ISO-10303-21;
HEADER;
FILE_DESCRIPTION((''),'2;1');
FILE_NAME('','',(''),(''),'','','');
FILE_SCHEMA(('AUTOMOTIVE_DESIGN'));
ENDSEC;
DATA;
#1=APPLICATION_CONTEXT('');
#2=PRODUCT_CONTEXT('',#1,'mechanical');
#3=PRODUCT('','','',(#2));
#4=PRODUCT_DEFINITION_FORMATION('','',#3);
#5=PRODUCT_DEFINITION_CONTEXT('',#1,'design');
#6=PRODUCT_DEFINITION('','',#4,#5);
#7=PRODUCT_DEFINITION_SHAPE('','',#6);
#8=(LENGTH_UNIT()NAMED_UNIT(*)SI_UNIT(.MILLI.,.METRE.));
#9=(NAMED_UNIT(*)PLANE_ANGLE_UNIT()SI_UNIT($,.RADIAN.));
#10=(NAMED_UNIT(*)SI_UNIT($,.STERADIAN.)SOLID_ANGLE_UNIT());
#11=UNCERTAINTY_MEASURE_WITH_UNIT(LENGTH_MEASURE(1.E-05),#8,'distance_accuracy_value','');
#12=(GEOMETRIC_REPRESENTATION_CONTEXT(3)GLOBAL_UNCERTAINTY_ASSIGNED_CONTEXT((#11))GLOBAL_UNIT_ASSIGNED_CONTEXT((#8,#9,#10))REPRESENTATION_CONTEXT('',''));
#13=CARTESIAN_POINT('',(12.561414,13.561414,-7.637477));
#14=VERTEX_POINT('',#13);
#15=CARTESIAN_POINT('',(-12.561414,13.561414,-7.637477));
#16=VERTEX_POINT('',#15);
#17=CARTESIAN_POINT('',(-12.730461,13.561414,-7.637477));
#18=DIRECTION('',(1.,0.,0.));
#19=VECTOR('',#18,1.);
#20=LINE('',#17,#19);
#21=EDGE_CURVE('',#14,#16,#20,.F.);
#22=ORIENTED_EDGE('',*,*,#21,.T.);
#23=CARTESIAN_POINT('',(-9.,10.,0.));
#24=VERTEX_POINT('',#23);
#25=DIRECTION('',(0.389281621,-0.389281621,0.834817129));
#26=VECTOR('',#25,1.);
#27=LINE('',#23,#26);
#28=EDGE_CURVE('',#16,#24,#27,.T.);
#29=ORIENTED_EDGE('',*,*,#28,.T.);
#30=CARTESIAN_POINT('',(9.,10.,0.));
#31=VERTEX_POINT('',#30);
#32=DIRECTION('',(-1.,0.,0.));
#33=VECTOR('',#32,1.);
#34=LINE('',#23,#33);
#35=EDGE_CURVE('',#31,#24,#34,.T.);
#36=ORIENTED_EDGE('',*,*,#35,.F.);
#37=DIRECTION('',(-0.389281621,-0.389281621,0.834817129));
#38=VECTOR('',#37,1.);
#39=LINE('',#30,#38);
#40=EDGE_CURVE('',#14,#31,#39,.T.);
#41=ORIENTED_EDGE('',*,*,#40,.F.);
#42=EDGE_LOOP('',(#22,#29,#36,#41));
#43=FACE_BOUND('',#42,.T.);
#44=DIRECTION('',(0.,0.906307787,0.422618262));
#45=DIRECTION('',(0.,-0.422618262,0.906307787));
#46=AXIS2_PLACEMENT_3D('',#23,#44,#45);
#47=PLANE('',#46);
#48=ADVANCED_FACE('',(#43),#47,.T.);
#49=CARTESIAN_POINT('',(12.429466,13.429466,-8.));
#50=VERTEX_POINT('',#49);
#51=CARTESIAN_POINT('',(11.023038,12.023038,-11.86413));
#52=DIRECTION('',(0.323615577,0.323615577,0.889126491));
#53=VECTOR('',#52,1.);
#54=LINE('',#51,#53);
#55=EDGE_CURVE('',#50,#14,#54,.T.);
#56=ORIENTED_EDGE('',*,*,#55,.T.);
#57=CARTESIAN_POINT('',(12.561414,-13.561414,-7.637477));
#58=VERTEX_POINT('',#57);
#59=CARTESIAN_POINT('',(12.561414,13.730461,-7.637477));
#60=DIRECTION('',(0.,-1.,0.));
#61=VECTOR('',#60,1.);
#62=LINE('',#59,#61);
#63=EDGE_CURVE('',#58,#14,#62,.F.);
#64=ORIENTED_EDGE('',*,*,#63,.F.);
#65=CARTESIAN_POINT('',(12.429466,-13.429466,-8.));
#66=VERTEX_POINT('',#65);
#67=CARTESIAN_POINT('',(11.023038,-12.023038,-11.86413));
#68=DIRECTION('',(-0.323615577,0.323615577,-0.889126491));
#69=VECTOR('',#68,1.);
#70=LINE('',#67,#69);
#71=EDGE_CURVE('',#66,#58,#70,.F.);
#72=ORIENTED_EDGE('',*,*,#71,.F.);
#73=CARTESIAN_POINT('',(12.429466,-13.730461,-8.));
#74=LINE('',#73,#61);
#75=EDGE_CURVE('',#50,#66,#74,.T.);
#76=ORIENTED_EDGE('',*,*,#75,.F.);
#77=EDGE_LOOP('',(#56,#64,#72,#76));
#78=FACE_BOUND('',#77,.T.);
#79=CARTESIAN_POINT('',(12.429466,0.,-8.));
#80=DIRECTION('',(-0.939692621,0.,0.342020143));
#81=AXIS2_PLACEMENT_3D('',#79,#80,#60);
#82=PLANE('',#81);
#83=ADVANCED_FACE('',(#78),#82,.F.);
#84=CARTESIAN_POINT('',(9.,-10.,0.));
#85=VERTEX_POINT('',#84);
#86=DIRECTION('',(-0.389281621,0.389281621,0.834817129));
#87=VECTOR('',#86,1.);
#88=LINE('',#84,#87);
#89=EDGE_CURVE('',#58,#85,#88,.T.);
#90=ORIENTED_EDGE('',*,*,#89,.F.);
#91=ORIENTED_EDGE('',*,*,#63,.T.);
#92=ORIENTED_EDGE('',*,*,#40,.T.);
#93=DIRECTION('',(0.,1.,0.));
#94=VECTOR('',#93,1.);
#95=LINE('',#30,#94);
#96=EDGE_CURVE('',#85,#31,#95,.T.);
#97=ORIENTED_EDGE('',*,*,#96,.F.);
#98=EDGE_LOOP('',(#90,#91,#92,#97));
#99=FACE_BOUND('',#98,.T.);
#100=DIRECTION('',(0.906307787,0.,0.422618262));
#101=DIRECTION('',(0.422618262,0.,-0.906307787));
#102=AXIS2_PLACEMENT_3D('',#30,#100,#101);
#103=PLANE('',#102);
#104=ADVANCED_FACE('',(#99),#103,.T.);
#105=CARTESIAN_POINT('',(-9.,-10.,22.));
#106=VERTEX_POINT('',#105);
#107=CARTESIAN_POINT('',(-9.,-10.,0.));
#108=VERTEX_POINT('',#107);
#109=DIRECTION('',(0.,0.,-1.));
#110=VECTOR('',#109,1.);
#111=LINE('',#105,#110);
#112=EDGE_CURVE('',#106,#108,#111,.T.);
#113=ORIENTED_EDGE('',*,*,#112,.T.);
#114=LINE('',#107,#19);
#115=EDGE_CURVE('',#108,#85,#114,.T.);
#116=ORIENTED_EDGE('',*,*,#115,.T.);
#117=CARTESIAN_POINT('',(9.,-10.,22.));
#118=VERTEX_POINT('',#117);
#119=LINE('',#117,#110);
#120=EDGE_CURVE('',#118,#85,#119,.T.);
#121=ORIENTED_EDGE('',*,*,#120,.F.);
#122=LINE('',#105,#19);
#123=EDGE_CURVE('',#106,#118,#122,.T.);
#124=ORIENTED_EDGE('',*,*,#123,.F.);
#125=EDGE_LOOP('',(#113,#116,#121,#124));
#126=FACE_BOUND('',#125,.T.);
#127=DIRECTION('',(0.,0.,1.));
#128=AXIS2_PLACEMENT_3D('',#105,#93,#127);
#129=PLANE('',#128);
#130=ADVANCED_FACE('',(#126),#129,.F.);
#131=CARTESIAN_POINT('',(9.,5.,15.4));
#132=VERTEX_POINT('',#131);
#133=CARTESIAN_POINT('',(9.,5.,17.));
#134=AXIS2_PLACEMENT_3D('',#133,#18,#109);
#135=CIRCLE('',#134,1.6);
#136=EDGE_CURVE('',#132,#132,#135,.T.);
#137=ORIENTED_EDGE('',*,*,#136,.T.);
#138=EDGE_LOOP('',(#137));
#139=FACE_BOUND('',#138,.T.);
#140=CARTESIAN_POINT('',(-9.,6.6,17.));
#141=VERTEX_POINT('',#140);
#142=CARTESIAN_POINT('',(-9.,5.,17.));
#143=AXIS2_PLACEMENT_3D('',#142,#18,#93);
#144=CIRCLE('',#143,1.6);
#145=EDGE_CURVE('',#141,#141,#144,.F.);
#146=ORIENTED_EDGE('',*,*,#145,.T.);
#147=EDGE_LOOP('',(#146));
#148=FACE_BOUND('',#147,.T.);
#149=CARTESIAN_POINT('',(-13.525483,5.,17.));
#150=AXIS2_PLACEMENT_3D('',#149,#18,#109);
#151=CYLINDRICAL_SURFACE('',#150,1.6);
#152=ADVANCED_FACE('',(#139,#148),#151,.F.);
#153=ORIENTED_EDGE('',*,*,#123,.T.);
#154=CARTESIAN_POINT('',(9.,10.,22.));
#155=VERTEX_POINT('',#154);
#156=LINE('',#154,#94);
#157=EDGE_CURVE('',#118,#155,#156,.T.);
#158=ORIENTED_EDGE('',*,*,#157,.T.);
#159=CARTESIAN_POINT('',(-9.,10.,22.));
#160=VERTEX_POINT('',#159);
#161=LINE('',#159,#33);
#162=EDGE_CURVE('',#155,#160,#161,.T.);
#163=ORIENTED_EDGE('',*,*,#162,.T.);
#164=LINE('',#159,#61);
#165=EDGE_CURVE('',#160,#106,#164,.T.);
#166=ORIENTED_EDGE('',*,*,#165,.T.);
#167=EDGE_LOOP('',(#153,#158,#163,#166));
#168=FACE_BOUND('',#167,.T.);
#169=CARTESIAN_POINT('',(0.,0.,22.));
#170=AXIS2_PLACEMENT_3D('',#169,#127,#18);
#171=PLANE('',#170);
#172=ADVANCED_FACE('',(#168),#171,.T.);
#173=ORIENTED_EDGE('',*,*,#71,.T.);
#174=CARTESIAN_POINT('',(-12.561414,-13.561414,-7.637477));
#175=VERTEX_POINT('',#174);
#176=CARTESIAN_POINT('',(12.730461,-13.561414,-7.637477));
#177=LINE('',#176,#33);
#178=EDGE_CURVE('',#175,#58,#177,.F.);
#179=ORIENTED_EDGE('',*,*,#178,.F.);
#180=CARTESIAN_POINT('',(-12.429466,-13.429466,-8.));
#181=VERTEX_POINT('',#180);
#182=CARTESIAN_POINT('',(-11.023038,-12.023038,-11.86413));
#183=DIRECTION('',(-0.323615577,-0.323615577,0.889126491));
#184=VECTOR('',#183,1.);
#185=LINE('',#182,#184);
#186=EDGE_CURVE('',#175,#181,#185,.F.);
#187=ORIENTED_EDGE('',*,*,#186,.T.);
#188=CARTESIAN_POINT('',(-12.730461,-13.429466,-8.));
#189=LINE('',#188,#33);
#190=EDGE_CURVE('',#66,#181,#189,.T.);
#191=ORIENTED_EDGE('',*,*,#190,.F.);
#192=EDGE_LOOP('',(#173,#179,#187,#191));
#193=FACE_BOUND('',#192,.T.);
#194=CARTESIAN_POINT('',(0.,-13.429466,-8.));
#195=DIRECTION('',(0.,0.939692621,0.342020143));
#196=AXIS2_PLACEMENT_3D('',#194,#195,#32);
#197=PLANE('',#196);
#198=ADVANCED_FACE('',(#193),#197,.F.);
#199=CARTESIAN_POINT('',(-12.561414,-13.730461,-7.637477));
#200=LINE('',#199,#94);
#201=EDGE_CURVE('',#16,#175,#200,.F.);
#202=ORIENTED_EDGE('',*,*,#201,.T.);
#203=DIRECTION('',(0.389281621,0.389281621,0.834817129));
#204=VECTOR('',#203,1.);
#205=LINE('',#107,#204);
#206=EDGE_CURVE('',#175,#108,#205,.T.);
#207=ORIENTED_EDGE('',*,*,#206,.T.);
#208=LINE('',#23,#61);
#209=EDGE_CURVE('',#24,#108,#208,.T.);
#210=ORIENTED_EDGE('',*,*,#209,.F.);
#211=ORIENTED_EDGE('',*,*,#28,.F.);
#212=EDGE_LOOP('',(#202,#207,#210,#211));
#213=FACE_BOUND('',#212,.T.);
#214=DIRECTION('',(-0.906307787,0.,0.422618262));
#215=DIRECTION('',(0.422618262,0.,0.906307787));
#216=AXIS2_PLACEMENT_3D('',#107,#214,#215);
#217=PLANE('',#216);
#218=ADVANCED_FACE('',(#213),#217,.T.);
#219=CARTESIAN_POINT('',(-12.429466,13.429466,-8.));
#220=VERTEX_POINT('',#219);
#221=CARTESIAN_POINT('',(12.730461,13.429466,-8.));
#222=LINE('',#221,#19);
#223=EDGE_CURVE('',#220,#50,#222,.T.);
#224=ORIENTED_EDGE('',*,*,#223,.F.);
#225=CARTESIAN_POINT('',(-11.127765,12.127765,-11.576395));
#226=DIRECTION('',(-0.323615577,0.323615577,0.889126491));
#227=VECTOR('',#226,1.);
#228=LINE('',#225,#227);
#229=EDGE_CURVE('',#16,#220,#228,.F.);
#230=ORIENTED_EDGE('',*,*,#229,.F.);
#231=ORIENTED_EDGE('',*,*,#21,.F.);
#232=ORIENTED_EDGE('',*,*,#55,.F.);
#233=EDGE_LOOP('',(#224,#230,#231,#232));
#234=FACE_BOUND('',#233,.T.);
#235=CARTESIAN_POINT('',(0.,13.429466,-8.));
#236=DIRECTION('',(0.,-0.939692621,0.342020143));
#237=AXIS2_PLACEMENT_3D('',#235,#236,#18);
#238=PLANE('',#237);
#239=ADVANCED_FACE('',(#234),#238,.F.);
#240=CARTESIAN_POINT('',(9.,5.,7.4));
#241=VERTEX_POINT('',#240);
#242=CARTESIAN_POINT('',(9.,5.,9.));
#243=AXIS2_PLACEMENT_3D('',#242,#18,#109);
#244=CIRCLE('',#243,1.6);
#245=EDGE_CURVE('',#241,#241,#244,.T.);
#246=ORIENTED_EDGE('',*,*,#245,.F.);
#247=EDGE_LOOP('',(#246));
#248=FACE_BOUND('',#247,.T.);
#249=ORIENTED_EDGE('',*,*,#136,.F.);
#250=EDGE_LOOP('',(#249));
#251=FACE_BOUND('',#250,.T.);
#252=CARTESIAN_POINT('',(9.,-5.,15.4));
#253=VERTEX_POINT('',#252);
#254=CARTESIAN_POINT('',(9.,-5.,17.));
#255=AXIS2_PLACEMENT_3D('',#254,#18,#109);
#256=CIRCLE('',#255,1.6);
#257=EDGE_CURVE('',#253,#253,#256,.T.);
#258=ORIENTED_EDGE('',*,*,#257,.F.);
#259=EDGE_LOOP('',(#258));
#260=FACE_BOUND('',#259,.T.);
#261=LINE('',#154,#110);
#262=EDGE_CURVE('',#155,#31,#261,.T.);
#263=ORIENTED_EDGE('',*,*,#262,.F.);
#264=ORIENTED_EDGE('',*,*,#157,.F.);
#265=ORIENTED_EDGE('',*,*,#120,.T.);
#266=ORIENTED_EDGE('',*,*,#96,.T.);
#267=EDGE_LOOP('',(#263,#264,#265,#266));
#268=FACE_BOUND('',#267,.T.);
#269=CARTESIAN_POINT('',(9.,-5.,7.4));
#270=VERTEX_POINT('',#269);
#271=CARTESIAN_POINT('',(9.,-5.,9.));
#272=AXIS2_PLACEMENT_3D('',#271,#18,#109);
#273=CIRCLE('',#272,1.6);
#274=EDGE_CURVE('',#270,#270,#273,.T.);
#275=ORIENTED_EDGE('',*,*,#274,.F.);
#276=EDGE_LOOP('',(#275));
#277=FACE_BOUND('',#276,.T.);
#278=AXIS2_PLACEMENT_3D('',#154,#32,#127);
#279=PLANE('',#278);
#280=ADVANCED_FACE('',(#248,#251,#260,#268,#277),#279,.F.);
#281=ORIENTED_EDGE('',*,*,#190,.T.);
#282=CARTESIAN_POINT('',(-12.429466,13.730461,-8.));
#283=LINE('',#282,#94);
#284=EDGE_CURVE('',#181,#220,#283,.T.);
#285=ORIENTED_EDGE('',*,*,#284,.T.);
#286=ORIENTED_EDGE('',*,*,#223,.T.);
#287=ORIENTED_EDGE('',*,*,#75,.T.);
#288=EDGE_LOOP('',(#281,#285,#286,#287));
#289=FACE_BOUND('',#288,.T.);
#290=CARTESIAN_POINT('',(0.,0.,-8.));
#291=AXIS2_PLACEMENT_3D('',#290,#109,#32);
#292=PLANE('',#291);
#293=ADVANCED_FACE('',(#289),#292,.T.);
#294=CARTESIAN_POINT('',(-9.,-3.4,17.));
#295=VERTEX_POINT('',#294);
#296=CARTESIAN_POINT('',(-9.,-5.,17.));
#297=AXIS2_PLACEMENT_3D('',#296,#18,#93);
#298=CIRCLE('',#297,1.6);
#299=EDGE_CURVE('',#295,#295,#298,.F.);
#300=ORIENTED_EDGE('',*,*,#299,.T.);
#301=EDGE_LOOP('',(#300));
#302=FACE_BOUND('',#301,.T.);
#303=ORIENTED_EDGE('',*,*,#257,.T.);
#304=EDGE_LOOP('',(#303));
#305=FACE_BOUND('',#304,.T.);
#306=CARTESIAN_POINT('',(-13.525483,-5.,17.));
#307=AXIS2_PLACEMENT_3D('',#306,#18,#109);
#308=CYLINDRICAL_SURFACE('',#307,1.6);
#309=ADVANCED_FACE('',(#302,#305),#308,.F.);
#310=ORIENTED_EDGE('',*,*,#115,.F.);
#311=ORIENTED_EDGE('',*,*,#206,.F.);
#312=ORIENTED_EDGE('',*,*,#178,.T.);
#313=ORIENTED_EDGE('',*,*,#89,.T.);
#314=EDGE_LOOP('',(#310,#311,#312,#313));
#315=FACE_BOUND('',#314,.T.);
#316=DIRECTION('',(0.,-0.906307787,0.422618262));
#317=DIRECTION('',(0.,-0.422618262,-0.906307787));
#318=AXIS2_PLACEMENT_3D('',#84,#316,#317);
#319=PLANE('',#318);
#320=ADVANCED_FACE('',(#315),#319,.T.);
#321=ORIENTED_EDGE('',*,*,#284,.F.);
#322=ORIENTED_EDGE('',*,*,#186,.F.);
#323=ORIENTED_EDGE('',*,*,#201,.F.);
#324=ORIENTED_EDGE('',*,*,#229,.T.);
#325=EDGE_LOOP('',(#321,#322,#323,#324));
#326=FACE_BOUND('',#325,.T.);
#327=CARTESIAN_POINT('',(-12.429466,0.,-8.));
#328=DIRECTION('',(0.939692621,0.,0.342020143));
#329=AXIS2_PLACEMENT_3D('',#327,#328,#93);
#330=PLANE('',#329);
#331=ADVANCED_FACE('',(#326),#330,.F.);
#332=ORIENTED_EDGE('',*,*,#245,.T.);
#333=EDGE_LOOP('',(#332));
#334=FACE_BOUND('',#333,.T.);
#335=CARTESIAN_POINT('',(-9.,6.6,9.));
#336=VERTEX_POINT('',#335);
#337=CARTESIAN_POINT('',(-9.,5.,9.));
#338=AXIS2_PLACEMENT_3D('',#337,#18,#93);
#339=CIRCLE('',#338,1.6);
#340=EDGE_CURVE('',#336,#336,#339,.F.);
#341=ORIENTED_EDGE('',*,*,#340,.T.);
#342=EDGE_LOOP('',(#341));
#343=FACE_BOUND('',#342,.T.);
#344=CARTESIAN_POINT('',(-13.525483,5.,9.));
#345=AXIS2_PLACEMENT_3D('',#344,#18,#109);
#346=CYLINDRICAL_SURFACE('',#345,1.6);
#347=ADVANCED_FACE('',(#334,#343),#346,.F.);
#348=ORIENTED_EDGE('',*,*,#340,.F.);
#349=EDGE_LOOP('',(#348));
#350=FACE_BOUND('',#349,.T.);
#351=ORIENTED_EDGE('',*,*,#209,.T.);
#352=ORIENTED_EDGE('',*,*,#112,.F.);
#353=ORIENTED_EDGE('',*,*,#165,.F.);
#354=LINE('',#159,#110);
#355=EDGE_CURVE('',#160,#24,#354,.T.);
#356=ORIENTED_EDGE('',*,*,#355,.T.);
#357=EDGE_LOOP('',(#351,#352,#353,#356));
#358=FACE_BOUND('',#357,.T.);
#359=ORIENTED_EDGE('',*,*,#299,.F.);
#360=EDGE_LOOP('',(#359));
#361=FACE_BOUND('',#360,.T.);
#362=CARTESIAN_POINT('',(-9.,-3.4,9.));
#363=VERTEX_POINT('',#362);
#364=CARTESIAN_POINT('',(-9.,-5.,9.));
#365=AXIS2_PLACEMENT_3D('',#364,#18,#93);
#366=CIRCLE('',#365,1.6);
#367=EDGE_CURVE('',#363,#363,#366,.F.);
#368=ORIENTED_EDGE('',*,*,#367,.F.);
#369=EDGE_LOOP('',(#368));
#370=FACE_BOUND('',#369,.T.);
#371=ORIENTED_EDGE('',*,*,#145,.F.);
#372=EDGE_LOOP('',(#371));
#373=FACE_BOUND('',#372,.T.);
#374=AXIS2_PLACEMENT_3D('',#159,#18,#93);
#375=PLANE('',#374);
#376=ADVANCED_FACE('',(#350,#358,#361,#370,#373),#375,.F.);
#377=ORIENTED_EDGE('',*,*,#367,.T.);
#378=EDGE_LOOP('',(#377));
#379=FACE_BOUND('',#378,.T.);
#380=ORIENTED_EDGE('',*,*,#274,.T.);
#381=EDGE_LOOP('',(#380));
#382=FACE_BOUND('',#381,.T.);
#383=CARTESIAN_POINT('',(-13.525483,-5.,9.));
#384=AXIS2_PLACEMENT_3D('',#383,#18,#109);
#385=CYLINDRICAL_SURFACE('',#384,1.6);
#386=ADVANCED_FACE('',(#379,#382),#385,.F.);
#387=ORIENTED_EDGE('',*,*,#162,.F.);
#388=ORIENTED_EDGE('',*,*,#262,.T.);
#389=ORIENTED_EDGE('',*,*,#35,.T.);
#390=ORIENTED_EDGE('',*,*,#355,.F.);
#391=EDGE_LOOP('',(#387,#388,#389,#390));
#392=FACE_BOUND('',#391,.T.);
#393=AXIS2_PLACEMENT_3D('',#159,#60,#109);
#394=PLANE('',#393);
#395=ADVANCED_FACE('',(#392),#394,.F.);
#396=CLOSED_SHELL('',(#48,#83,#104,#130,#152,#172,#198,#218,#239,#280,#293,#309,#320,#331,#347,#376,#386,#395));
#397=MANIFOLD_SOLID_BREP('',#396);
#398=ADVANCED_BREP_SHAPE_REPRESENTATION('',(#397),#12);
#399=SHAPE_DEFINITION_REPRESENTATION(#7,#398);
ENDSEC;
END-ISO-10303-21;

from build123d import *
from OCP.BRepFilletAPI import BRepFilletAPI_MakeChamfer

# Parameters (mm, degrees)
SKETCH2_W           = 18
SKETCH2_H           = 20
BOSS_EXTRUDE1_DEPTH = 22
SKETCH3_W           = 18
SKETCH3_H           = 20
BOSS_EXTRUDE2_DEPTH = 8
BOSS_EXTRUDE2_DRAFT = -25
SKETCH4_R           = 1.6
CUT_EXTRUDE1_DEPTH  = 18
CHAMFER1_SIZE       = 0.4
CHAMFER1_SIZE2      = 0.300994928


with BuildPart() as part:
    # Sketch2 → Boss-Extrude1 (new body)
    with BuildSketch(Plane.XY):
        Rectangle(SKETCH2_W, SKETCH2_H)
    extrude(amount=BOSS_EXTRUDE1_DEPTH)


with BuildPart() as boss_extrude2_tool:
    # Sketch3 → Boss-Extrude2 (with draft: the straight prism first)
    with BuildSketch(Plane(origin=(0, 0, 0), x_dir=(-1, 0, 0), z_dir=(0, 0, -1))):
        Rectangle(SKETCH3_W, SKETCH3_H)
    extrude(amount=BOSS_EXTRUDE2_DEPTH)
    # Boss-Extrude2: the draft: its side faces are tilted about the plane it starts from
    boss_extrude2_sides = [boss_extrude2_tool.faces().sort_by_distance(p)[0] for p in [
        (9, 0, -4),
        (0, -10, -4),
        (-9, 0, -4),
        (0, 10, -4),
    ]]
    draft(boss_extrude2_sides, Plane(origin=(0, 0, 0), x_dir=(-1, 0, 0), z_dir=(0, 0, -1)), BOSS_EXTRUDE2_DRAFT)


with BuildPart() as part_1:
    add(part.part)

    # Boss-Extrude2: add boss_extrude2_tool
    add(boss_extrude2_tool.part)

    # Sketch4 → Cut-Extrude1 (cut)
    with BuildSketch(Plane(origin=(9, 0, 0), x_dir=(0, 0, -1), z_dir=(1, 0, 0))):
        with Locations((-17, 5)):
            Circle(SKETCH4_R)
        with Locations((-9, 5)):
            Circle(SKETCH4_R)
        with Locations((-17, -5)):
            Circle(SKETCH4_R)
        with Locations((-9, -5)):
            Circle(SKETCH4_R)
    extrude(amount=-CUT_EXTRUDE1_DEPTH, mode=Mode.SUBTRACT)

    # Chamfer1: one chamfer whose edges measure the first distance from different faces: ONE call of the kernel's chamfer builder (chamfer() names one face for all edges)
    chamfer1_edges_1 = [part_1.edges().sort_by_distance(p)[0] for p in [
        (0, 13.730461265, -8),
    ]]
    chamfer1_side_1 = [part_1.faces().sort_by_distance(p)[0] for p in [
        (0, 11.971965146, -4.228892903),
    ]]
    chamfer1_edges_2 = [part_1.edges().sort_by_distance(p)[0] for p in [
        (12.730461265, 0, -8),
    ]]
    chamfer1_side_2 = [part_1.faces().sort_by_distance(p)[0] for p in [
        (10.962969576, 0, -4.20960184),
    ]]
    chamfer1_edges_3 = [part_1.edges().sort_by_distance(p)[0] for p in [
        (0, -13.730461265, -8),
    ]]
    chamfer1_side_3 = [part_1.faces().sort_by_distance(p)[0] for p in [
        (0, -11.971965146, -4.228892903),
    ]]
    chamfer1_edges_4 = [part_1.edges().sort_by_distance(p)[0] for p in [
        (-12.730461265, 0, -8),
    ]]
    chamfer1_side_4 = [part_1.faces().sort_by_distance(p)[0] for p in [
        (-10.962969576, 0, -4.20960184),
    ]]
    chamfer1 = BRepFilletAPI_MakeChamfer(part_1.part.solid().wrapped)
    for e in chamfer1_edges_1:
        chamfer1.Add(CHAMFER1_SIZE, CHAMFER1_SIZE2, e.wrapped, chamfer1_side_1[0].wrapped)  # the first distance lies on this face
    for e in chamfer1_edges_2:
        chamfer1.Add(CHAMFER1_SIZE, CHAMFER1_SIZE2, e.wrapped, chamfer1_side_2[0].wrapped)  # the first distance lies on this face
    for e in chamfer1_edges_3:
        chamfer1.Add(CHAMFER1_SIZE, CHAMFER1_SIZE2, e.wrapped, chamfer1_side_3[0].wrapped)  # the first distance lies on this face
    for e in chamfer1_edges_4:
        chamfer1.Add(CHAMFER1_SIZE, CHAMFER1_SIZE2, e.wrapped, chamfer1_side_4[0].wrapped)  # the first distance lies on this face
    add(Compound.cast(chamfer1.Shape()), mode=Mode.REPLACE)


solid = part_1.part
